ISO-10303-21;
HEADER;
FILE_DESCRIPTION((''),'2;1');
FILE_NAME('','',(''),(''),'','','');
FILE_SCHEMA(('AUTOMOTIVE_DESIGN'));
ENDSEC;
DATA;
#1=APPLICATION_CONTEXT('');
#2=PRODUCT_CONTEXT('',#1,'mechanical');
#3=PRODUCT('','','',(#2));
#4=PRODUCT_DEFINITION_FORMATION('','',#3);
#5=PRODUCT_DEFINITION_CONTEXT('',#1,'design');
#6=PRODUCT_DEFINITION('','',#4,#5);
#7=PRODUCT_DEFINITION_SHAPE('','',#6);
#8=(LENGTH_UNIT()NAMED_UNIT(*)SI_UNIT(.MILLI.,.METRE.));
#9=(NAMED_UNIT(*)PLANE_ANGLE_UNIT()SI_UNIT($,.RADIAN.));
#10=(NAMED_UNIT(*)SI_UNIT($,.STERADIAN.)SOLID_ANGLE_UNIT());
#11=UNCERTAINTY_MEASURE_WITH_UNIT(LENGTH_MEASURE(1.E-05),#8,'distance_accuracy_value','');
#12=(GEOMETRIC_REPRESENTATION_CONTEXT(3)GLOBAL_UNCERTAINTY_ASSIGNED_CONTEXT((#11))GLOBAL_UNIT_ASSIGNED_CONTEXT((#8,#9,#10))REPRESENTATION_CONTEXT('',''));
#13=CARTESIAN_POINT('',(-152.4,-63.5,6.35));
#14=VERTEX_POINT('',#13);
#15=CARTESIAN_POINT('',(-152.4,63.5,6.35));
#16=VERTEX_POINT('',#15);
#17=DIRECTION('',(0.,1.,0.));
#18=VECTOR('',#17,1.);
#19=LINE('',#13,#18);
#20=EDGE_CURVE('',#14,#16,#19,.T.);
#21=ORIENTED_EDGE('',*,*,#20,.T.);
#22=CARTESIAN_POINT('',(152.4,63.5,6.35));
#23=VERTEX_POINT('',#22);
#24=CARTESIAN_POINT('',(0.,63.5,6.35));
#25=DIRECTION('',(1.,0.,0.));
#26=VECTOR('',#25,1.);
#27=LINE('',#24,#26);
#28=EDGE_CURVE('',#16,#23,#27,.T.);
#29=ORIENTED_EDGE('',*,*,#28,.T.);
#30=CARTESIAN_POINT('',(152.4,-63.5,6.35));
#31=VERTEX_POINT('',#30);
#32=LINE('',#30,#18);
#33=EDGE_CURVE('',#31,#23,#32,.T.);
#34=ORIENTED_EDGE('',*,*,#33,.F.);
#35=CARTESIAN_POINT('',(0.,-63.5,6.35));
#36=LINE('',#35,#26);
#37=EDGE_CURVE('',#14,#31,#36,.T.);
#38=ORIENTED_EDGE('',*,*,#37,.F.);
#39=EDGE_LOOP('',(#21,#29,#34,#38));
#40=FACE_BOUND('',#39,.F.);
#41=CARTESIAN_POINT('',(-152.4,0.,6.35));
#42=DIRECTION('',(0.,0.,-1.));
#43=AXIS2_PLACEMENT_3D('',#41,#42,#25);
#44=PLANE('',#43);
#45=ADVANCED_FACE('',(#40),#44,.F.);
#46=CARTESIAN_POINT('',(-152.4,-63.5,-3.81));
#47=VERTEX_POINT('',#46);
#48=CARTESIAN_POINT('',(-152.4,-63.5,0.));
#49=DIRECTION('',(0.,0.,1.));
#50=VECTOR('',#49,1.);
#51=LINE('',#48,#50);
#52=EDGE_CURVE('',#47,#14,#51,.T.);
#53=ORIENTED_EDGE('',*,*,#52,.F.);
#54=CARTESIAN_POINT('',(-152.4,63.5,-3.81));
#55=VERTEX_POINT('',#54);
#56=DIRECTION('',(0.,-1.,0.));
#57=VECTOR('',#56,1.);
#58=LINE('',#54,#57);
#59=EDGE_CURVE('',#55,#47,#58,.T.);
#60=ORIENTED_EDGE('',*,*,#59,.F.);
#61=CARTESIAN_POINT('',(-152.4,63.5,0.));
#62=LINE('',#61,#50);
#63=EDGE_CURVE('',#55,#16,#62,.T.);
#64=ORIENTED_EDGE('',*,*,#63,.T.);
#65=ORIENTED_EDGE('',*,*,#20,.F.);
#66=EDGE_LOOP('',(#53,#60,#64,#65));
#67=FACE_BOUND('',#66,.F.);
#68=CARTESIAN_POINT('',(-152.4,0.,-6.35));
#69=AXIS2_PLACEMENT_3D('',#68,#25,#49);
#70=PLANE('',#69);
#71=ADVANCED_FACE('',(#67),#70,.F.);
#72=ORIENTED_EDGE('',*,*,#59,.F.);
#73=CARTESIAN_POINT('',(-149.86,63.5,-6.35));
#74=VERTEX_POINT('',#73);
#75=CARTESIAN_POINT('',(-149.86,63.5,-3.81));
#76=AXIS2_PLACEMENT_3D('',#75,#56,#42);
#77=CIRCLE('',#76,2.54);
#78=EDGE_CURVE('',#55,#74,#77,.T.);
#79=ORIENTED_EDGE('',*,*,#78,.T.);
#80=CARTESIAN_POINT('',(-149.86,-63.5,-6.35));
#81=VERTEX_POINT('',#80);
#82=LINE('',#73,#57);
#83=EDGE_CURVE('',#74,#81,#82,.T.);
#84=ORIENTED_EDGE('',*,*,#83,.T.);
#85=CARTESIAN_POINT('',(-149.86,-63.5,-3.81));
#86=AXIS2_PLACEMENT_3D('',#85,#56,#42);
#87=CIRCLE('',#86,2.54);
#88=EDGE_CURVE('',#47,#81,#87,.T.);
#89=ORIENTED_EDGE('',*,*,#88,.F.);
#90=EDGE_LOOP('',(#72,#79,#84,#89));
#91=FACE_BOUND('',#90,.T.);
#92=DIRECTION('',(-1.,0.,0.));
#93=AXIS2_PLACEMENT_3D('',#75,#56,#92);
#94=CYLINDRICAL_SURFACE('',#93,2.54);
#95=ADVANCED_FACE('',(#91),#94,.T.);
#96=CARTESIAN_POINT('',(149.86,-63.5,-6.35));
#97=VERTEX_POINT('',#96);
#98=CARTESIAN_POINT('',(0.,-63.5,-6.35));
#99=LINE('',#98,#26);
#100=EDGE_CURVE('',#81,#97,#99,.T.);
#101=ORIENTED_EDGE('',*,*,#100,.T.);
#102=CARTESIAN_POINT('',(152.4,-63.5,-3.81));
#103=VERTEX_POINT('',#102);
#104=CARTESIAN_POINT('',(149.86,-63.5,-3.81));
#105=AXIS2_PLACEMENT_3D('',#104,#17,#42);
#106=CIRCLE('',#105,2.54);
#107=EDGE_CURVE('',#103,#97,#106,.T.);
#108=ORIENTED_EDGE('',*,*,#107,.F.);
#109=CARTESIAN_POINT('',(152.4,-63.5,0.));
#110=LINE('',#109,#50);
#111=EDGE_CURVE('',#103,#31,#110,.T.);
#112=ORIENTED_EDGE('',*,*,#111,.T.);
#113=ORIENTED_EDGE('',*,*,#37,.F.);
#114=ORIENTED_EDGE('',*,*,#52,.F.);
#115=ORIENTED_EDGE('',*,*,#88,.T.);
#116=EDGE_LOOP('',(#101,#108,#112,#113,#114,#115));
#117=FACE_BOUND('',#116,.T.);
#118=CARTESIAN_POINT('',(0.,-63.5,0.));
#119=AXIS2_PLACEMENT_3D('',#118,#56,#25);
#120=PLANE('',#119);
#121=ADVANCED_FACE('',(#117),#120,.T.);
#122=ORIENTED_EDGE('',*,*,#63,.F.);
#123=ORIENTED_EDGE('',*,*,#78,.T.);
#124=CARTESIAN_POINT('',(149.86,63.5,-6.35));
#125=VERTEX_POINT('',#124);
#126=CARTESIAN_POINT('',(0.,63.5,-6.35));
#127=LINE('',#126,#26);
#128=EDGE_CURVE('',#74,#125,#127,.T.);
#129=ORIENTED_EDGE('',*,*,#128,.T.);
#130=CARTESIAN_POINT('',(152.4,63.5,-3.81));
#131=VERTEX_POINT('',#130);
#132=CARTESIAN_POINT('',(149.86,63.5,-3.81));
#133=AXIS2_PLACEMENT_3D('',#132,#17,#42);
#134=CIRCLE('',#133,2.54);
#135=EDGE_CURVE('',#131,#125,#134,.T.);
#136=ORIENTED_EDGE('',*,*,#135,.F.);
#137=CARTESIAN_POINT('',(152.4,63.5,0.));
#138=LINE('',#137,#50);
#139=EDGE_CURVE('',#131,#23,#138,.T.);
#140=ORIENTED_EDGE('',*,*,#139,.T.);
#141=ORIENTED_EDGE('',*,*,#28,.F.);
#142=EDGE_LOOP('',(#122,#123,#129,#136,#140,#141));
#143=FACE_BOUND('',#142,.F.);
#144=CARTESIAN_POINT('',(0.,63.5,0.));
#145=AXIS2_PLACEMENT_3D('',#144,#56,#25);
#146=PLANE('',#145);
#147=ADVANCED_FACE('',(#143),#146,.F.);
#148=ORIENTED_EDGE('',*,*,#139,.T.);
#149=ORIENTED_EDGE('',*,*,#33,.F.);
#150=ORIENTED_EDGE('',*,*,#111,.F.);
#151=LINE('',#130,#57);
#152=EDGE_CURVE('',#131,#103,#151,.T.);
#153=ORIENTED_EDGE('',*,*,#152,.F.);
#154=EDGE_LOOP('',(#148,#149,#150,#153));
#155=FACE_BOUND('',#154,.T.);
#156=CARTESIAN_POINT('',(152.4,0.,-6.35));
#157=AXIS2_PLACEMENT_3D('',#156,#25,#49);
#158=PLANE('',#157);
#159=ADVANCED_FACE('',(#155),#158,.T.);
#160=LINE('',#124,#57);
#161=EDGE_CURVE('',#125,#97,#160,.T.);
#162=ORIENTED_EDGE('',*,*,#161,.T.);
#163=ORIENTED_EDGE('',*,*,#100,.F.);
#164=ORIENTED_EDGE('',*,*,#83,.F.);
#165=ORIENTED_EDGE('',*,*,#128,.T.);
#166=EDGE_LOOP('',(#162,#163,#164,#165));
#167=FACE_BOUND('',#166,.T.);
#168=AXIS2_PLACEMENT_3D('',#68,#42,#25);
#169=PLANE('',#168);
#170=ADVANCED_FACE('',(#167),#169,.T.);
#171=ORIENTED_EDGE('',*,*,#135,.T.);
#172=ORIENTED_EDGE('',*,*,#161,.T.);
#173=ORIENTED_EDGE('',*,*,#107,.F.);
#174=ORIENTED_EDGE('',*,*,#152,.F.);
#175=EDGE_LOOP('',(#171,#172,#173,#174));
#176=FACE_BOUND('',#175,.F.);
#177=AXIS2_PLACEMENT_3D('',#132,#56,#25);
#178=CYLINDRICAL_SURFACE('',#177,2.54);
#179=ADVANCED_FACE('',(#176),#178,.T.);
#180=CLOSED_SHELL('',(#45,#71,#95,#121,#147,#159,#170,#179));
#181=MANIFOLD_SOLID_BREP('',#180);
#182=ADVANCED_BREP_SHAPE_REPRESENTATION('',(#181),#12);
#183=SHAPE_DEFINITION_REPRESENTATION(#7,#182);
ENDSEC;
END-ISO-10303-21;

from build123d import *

# Parameters (mm, degrees)
F0_W     = 304.8
F0_H     = 12.7
F1_DEPTH = 63.5
F2_R     = 2.54


with BuildPart() as f1:
    # F0 (on Front) → F1 (new body, symmetric)
    with BuildSketch(Plane.XZ):
        Rectangle(F0_W, F0_H)
    extrude(amount=F1_DEPTH, both=True)

    # F2
    f2_edges = [f1.edges().sort_by_distance(p)[0] for p in [
        (-152.4, 0, -6.35),
        (152.4, 0, -6.35),
    ]]
    fillet(f2_edges, radius=F2_R)


solid = f1.part
